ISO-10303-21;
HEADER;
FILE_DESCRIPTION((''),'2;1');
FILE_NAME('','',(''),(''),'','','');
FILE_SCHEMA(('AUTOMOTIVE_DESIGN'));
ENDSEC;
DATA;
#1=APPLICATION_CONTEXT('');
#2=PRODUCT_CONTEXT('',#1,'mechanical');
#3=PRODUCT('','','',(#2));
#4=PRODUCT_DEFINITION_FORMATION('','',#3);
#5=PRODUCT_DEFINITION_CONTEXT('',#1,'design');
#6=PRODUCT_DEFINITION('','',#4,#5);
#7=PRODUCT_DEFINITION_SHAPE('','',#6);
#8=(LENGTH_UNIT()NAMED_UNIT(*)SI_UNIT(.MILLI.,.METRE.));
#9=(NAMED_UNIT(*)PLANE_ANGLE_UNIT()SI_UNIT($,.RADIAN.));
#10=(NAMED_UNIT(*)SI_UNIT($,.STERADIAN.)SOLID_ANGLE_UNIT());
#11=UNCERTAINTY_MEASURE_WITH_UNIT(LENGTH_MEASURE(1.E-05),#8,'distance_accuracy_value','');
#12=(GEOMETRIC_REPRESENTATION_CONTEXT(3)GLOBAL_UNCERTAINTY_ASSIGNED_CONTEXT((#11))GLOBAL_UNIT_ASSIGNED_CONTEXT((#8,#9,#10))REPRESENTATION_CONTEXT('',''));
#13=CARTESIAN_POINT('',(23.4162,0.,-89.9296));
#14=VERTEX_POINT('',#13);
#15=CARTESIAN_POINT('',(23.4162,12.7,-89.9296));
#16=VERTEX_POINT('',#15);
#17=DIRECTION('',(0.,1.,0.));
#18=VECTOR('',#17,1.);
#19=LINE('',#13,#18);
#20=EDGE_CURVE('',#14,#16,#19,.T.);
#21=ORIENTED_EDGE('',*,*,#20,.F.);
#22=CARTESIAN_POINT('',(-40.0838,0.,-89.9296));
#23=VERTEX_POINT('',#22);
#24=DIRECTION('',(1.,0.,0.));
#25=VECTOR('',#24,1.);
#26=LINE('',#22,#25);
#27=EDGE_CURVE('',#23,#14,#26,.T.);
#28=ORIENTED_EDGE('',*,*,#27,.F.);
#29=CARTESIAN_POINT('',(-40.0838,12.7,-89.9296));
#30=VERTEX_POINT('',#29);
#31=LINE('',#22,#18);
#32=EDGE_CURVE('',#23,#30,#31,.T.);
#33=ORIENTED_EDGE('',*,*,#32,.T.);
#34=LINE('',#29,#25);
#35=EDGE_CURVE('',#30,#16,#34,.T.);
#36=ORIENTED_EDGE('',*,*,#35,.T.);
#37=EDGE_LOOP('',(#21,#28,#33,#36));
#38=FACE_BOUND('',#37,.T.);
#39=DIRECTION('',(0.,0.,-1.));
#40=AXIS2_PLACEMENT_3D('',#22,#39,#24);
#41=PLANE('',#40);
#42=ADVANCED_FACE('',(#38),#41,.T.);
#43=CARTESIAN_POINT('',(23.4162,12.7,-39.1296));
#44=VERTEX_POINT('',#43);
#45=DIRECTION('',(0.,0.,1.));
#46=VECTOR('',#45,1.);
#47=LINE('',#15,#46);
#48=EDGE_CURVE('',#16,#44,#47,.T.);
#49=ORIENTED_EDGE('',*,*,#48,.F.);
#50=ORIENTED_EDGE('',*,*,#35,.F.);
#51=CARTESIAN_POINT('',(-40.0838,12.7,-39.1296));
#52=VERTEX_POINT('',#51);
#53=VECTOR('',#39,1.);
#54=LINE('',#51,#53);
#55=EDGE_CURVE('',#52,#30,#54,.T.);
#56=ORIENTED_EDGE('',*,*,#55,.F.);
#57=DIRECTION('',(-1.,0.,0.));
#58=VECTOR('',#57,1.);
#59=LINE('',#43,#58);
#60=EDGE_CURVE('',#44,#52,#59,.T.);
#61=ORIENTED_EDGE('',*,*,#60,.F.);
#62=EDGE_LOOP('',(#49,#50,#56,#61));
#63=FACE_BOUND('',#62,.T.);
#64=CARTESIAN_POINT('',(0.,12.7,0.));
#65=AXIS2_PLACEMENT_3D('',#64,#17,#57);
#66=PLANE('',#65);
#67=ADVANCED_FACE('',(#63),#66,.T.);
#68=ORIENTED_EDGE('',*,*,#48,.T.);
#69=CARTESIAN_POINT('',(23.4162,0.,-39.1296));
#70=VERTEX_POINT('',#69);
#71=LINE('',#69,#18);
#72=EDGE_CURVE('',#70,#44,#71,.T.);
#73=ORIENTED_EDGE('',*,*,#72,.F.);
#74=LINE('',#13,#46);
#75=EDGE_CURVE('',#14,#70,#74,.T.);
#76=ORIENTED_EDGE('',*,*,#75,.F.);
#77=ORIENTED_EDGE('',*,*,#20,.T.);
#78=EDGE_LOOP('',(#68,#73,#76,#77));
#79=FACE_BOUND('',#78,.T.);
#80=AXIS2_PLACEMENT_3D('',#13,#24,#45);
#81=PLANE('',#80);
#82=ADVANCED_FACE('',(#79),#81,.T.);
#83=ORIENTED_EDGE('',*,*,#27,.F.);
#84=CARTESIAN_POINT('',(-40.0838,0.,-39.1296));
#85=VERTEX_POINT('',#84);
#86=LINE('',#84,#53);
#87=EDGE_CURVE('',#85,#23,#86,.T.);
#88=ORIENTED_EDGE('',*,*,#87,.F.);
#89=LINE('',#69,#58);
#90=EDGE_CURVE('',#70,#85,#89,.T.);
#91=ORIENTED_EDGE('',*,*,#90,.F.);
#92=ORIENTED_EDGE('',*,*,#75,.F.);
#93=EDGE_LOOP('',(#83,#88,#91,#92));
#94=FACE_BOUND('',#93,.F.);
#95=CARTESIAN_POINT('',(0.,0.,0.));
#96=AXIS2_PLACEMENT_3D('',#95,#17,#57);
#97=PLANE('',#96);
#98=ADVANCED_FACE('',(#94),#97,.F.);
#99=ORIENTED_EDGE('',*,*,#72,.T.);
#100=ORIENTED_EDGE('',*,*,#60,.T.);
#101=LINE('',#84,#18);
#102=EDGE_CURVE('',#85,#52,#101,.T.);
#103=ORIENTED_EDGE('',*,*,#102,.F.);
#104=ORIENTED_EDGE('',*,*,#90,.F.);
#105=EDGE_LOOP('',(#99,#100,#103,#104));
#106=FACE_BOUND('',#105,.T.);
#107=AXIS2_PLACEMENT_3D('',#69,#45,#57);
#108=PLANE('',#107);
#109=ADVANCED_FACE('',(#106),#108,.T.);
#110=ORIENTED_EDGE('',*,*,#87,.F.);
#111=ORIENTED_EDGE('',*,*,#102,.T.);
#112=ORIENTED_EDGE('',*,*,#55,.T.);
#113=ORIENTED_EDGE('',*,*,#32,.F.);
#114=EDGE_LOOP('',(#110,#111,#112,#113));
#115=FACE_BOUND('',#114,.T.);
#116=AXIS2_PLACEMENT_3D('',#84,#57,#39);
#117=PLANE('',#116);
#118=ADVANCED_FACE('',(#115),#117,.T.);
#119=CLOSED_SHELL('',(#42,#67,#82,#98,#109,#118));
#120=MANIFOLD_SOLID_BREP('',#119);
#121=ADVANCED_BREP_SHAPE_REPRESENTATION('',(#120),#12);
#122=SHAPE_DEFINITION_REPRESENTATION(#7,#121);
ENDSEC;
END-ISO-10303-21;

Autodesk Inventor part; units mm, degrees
ref_plane "YZ Plane" through (0, 0, 0) normal (1, 0, 0) x (0, 1, 0)
ref_plane "XZ Plane" through (0, 0, 0) normal (0, 1, 0) x (-1, 0, 0)
ref_plane "XY Plane" through (0, 0, 0) normal (0, 0, 1) x (1, 0, 0)
sketch "Sketch1" plane through (0, 0, 0) normal (0, 1, 0) x (-1, 0, 0)
  line L0 (-23.4162, -39.1296) -> (40.0838, -39.1296)
  line L1 (40.0838, -39.1296) -> (40.0838, -89.9296)
  line L2 (40.0838, -89.9296) -> (-23.4162, -89.9296)
  line L3 (-23.4162, -89.9296) -> (-23.4162, -39.1296)
  point P0 (0, 0)
  dimension "d0" = 63.5
  dimension "d1" = 50.8
extrude "Extrusion1" add sketch "Sketch1" along normal blind 12.7
properties part number "relay board"
